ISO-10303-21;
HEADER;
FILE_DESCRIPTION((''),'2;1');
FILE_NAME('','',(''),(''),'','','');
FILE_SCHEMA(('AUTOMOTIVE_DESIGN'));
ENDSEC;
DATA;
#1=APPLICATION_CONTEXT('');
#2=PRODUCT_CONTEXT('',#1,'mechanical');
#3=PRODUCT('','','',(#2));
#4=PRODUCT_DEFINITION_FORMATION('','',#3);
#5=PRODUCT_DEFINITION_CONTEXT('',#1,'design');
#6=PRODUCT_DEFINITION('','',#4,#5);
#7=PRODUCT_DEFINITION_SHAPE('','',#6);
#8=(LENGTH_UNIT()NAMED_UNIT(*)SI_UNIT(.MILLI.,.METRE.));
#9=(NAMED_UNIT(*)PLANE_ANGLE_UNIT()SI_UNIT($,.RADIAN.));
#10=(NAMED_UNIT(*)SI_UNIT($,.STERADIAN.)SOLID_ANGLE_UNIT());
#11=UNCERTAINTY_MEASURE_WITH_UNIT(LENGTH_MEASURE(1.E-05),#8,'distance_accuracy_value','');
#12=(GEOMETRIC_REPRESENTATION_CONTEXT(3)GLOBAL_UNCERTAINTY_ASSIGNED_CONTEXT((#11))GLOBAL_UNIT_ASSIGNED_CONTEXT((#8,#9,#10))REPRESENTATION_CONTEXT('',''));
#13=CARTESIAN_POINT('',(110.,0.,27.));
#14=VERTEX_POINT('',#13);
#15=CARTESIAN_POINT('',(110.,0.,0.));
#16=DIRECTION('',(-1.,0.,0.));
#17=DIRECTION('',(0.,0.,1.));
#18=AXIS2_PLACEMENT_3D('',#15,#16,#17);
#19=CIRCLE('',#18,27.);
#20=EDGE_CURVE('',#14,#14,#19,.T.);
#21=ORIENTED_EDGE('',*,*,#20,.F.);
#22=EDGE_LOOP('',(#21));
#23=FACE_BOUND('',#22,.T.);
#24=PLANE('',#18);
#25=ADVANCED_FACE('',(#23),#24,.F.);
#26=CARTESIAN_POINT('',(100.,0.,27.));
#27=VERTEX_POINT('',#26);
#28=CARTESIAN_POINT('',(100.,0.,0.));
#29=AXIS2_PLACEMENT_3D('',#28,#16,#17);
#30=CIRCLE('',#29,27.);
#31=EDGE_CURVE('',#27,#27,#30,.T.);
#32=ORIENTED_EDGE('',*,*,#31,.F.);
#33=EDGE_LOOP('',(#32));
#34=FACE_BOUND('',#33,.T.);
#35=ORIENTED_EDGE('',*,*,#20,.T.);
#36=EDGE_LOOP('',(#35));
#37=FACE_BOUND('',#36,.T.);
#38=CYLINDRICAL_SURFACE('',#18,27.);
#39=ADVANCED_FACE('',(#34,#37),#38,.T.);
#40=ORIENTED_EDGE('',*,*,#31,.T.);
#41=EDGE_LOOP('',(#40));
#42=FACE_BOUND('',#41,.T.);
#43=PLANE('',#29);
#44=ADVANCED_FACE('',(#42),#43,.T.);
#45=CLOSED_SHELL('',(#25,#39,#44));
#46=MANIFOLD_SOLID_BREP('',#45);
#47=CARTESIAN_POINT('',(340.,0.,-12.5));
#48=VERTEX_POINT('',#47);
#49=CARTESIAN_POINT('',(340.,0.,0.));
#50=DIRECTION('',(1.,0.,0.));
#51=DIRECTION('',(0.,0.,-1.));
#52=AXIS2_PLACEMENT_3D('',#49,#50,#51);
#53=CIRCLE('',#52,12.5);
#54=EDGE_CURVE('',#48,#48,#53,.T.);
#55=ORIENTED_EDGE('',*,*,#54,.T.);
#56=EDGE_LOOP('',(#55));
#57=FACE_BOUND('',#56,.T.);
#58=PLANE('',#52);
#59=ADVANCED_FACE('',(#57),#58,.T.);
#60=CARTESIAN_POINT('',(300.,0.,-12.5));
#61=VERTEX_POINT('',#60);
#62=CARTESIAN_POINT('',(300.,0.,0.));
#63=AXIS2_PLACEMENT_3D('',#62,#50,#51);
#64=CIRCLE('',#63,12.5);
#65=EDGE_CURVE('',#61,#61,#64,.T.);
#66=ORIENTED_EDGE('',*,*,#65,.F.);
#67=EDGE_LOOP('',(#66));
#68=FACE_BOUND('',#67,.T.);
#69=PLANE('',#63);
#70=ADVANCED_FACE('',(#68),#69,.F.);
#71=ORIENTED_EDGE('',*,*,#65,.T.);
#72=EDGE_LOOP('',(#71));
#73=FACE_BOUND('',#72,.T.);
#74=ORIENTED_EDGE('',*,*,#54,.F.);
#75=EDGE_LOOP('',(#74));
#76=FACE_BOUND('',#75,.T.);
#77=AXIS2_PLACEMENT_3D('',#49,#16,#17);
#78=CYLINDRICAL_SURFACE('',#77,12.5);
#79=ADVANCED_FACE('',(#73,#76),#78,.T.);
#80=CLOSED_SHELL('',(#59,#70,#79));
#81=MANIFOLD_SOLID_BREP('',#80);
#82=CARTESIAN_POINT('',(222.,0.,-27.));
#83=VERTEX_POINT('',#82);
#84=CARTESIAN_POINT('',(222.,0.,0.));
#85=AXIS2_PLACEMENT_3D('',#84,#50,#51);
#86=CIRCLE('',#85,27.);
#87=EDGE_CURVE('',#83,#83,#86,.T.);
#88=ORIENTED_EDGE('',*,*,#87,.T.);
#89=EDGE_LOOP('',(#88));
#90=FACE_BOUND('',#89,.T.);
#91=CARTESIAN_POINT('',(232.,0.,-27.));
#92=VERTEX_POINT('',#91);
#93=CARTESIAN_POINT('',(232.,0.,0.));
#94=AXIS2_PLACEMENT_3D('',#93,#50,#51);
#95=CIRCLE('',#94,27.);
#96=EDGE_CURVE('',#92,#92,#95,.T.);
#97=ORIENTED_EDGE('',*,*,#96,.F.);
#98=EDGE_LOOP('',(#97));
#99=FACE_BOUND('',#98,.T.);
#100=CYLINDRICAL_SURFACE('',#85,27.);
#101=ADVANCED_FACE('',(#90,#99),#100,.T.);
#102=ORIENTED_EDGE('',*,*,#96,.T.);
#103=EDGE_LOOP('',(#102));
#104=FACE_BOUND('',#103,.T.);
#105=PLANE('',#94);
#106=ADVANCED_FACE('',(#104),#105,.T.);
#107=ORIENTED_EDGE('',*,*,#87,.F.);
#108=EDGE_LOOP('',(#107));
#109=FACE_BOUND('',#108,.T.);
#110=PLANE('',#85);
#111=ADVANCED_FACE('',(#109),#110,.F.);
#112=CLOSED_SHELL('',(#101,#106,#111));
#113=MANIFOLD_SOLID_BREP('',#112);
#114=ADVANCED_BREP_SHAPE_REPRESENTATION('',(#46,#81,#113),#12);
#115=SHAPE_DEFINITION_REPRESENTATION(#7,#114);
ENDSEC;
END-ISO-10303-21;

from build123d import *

# Parameters (mm, degrees)
SKETCH_1_R      = 12.5
EXTRUDE_1_DEPTH = 40
SKETCH_2_R      = 27
EXTRUDE_2_DEPTH = 10
SKETCH_3_R      = 27
EXTRUDE_3_DEPTH = 10


with BuildPart() as part:
    # 草图1 → 凸台-拉伸1 (new body)
    with BuildSketch(Plane(origin=(300, 0, 0), x_dir=(0, 0, -1), z_dir=(1, 0, 0))):
        Circle(SKETCH_1_R)
    extrude(amount=EXTRUDE_1_DEPTH)


with BuildPart() as body_2:
    # 草图2 → 凸台-拉伸2 (new body)
    with BuildSketch(Plane.ZY.offset(-100)):
        Circle(SKETCH_2_R)
    extrude(amount=-EXTRUDE_2_DEPTH)


with BuildPart() as body_3:
    # 草图3 → 凸台-拉伸3 (new body)
    with BuildSketch(Plane(origin=(232, 0, 0), x_dir=(0, 0, -1), z_dir=(1, 0, 0))):
        Circle(SKETCH_3_R)
    extrude(amount=-EXTRUDE_3_DEPTH)


solid = Compound([part.part, body_2.part, body_3.part])
